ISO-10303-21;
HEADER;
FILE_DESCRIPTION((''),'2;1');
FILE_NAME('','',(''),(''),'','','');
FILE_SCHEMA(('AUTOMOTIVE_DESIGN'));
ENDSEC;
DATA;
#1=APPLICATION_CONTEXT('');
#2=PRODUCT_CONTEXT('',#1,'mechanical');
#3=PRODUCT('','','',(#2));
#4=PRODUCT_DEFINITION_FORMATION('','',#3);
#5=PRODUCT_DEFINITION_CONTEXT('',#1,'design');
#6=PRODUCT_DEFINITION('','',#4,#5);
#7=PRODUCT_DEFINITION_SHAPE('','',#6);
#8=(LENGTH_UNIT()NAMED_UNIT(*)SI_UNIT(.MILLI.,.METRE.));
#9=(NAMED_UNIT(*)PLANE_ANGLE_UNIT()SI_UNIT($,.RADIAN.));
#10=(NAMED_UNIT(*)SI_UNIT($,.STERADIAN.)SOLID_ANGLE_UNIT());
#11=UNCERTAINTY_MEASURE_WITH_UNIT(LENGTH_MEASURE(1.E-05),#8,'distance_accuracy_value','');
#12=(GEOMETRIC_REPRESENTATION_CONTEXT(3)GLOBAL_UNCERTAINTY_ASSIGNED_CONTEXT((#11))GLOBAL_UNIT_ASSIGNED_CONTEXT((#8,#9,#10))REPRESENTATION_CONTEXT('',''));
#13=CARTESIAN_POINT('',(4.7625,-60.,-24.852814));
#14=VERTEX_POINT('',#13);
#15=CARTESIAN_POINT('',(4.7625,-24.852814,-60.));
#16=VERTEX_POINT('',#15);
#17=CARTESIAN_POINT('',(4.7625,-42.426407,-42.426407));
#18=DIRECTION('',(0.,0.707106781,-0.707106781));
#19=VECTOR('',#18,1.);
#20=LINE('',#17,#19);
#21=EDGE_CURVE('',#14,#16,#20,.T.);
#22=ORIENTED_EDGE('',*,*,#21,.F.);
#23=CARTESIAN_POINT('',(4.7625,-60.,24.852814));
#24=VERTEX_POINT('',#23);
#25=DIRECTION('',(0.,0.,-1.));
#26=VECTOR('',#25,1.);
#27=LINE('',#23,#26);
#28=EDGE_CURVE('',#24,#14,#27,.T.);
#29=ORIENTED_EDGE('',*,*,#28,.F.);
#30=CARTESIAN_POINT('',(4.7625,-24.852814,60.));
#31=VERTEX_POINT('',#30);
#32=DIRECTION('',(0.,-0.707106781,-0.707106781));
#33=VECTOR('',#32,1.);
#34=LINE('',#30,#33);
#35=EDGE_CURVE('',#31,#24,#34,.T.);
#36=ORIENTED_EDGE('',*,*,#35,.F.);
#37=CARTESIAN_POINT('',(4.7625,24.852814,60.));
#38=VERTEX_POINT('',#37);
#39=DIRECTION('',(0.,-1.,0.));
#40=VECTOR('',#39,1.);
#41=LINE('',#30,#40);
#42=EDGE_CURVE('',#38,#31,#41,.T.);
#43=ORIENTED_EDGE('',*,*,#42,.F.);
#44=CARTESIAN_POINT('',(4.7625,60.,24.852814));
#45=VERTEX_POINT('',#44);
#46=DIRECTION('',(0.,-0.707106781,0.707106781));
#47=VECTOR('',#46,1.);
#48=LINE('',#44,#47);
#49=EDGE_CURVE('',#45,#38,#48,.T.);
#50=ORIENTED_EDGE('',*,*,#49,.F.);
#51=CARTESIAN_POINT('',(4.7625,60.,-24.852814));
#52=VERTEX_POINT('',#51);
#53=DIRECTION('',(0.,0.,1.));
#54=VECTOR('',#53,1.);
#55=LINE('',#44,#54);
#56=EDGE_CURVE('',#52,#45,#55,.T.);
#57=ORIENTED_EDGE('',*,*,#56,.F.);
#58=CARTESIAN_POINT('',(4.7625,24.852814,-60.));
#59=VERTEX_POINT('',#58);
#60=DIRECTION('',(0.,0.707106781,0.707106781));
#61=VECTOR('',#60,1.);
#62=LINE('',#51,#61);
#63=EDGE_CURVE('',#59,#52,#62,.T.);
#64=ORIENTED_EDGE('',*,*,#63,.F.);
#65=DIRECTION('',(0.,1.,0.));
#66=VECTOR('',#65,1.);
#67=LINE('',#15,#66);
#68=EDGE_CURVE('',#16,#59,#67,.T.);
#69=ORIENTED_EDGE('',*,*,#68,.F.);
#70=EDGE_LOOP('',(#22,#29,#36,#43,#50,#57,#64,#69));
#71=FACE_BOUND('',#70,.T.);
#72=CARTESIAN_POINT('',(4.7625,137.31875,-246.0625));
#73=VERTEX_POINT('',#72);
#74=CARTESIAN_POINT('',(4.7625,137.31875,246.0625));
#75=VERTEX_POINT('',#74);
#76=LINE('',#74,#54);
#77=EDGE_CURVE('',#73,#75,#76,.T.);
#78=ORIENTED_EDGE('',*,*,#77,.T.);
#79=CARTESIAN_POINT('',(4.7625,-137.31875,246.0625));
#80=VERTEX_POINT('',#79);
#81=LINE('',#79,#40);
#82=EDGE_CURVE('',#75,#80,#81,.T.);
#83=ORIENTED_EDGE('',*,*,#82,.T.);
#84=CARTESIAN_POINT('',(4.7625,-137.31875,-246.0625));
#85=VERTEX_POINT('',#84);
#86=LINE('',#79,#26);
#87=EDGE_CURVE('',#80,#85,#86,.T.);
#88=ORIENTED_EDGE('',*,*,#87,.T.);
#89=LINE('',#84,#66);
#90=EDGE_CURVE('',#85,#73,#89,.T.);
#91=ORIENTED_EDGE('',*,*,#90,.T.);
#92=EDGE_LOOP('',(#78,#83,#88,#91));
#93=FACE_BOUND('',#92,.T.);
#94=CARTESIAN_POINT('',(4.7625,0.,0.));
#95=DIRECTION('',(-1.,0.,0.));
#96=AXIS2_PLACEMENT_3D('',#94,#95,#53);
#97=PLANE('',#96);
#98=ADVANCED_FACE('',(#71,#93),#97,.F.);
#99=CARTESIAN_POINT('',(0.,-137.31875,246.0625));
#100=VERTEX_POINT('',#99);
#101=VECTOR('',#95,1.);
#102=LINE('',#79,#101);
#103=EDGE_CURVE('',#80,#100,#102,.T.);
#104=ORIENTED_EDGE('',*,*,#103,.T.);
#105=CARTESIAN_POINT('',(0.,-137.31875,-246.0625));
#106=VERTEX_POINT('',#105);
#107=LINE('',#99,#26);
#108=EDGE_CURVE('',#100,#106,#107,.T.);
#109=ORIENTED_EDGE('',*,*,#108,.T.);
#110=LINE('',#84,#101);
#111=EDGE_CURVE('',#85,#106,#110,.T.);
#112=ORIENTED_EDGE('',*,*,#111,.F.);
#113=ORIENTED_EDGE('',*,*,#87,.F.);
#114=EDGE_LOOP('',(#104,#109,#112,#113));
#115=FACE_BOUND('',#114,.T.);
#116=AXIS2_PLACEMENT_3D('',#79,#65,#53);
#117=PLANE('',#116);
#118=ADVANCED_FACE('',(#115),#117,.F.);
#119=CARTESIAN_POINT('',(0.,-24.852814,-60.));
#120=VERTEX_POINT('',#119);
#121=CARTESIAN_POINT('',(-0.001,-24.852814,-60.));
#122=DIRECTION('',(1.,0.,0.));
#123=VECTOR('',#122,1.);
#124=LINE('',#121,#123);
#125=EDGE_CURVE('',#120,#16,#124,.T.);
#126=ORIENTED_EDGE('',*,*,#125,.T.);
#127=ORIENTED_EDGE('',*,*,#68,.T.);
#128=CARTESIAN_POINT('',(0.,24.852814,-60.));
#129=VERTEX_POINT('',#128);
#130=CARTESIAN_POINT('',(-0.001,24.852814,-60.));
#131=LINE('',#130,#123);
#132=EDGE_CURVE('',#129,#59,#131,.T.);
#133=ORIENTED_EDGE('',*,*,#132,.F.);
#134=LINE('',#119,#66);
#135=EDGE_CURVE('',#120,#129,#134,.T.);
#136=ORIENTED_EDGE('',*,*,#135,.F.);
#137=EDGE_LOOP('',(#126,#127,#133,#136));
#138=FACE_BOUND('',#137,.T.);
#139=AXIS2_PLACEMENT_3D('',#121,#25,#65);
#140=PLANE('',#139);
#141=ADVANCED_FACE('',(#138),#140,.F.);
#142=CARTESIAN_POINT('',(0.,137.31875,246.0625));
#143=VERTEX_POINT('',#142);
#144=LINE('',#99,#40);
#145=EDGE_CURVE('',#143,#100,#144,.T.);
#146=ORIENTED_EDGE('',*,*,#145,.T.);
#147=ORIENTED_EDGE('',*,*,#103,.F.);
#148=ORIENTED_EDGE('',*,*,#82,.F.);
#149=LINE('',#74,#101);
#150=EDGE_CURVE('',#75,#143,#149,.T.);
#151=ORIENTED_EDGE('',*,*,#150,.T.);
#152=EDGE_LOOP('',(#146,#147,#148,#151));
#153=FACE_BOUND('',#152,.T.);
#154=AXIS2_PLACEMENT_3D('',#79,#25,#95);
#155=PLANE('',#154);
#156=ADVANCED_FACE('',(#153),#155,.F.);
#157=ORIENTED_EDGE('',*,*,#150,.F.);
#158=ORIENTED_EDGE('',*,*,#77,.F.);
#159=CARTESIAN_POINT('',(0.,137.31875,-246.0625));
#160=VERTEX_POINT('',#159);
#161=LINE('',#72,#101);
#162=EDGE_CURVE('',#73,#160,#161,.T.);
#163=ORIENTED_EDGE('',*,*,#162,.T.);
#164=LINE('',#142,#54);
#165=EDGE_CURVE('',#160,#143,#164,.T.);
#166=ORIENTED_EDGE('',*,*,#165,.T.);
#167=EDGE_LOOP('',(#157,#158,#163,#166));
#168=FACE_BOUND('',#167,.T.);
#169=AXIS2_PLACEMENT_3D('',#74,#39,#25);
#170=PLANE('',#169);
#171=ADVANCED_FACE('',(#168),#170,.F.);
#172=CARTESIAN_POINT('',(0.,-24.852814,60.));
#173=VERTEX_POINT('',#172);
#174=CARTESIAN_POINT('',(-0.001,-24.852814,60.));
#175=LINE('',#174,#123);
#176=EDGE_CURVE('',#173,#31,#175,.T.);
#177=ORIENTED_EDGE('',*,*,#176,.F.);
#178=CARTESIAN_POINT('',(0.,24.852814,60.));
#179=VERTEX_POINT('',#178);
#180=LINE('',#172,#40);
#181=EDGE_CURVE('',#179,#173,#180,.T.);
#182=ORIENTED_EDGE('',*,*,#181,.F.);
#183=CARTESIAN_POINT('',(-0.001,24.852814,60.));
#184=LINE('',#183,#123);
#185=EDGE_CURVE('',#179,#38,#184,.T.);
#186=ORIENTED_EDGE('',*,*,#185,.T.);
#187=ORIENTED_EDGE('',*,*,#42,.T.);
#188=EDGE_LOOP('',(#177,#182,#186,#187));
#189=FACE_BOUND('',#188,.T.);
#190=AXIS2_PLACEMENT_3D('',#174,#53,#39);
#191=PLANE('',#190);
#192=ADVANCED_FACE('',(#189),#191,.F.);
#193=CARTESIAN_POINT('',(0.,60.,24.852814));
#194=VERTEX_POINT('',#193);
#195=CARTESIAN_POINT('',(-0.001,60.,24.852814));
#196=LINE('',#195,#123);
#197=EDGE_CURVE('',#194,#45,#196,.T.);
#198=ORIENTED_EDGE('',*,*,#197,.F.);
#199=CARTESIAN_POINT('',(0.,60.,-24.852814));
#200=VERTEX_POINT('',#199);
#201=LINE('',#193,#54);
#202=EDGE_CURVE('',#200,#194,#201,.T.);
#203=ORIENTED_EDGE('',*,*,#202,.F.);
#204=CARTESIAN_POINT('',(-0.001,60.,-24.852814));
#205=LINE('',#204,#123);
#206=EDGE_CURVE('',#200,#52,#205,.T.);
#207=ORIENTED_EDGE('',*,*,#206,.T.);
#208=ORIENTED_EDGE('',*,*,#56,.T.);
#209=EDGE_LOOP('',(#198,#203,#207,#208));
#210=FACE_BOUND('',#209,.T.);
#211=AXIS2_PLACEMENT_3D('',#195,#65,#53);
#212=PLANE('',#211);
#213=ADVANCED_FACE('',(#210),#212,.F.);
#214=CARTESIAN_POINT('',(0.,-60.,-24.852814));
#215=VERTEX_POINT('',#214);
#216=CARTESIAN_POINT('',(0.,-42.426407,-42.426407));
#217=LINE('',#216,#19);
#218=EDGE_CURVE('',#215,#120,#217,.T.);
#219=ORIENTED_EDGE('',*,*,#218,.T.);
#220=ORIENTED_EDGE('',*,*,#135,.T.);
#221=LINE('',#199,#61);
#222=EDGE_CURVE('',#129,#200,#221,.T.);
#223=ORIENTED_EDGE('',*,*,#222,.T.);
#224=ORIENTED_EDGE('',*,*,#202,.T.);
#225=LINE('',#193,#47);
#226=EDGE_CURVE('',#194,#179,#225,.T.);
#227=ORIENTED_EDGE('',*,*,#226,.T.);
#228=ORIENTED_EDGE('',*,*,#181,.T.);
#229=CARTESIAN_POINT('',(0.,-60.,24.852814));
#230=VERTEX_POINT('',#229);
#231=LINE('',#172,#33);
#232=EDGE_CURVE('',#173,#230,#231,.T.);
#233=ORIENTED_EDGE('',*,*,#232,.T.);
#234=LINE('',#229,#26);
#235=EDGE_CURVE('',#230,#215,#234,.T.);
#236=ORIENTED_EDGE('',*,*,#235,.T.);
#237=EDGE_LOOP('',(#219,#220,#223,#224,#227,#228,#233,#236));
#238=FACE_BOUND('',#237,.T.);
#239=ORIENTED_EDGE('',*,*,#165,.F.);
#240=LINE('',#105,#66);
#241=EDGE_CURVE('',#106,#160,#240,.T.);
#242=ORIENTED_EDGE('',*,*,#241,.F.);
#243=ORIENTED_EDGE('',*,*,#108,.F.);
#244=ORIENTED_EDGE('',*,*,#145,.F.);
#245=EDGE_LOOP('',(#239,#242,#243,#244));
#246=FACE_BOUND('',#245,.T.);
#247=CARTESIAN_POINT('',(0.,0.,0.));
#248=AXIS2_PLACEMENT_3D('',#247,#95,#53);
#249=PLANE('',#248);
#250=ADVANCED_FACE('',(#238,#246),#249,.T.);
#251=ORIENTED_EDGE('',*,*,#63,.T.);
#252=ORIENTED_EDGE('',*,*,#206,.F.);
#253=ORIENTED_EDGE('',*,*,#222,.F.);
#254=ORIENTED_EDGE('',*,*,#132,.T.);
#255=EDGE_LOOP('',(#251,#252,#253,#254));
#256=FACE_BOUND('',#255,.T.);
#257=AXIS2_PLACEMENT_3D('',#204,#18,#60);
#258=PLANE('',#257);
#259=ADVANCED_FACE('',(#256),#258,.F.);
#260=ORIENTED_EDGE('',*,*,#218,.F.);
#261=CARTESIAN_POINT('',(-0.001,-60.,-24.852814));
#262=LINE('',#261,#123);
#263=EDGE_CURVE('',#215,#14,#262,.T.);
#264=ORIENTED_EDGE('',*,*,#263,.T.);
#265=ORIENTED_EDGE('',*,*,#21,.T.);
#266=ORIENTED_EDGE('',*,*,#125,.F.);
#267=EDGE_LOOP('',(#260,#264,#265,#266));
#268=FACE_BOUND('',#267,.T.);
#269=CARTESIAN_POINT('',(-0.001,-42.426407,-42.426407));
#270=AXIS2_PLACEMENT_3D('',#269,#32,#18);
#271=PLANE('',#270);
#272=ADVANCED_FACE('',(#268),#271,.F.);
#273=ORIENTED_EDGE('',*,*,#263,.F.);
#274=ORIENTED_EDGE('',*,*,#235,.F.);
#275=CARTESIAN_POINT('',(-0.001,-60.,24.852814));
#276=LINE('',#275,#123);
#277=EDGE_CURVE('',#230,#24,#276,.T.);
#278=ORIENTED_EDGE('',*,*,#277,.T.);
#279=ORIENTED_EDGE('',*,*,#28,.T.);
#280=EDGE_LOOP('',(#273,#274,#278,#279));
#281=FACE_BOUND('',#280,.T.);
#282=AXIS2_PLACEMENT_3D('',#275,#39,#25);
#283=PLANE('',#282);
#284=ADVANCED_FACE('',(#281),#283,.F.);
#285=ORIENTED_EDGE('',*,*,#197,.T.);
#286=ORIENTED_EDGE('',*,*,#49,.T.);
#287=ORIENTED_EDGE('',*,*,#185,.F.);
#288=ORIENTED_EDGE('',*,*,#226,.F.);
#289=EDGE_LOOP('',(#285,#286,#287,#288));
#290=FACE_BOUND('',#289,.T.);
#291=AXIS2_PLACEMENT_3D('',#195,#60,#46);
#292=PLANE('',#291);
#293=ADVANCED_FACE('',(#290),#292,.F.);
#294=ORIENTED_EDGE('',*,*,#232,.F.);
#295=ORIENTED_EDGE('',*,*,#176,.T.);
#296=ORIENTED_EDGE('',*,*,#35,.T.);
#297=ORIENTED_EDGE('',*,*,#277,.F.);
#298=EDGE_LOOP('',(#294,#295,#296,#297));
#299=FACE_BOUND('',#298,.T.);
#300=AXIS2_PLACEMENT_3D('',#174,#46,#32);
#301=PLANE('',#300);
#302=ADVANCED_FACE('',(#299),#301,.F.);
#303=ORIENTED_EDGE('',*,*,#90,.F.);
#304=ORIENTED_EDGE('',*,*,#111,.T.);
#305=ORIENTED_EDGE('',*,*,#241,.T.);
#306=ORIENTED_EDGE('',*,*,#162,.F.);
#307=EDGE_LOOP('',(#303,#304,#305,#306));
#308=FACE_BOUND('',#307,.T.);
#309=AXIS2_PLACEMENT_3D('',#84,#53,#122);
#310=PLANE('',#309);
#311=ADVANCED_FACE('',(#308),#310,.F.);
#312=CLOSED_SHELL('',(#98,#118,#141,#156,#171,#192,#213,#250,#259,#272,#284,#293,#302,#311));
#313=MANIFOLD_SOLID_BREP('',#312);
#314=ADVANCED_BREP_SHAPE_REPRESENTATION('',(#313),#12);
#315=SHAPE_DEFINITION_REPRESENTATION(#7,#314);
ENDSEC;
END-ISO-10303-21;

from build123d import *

# Parameters (mm, degrees)
SKETCH1_W           = 492.125
SKETCH1_H           = 274.6375
BOSS_EXTRUDE1_DEPTH = 4.7625
CUT_EXTRUDE1_REACH  = 6.763


with BuildPart() as part:
    # Sketch1 → Boss-Extrude1 (new body)
    with BuildSketch(Plane(origin=(0, 0, 0), x_dir=(0, 0, -1), z_dir=(1, 0, 0))):
        Rectangle(SKETCH1_W, SKETCH1_H)
    extrude(amount=BOSS_EXTRUDE1_DEPTH)

    # Sketch2 → Cut-Extrude1 (cut, up to next)
    with BuildSketch(Plane(origin=(4.7625, 0, 0), x_dir=(0, 0, -1), z_dir=(1, 0, 0)), mode=Mode.PRIVATE) as cut_extrude1_sk1:
        Polygon((-24.852813742, -60), (24.852813742, -60), (42.426406871, -42.426406871), (60, -24.852813742), (60, 24.852813742), (24.852813742, 60), (-24.852813742, 60), (-60, 24.852813742), (-60, -24.852813742), align=None)
    cut_extrude1_tool1 = extrude(cut_extrude1_sk1.sketch, amount=-CUT_EXTRUDE1_REACH, mode=Mode.PRIVATE) & part.part
    add(cut_extrude1_tool1.solids().sort_by_distance((4.7625, 0, 0))[0], mode=Mode.SUBTRACT)


solid = part.part
